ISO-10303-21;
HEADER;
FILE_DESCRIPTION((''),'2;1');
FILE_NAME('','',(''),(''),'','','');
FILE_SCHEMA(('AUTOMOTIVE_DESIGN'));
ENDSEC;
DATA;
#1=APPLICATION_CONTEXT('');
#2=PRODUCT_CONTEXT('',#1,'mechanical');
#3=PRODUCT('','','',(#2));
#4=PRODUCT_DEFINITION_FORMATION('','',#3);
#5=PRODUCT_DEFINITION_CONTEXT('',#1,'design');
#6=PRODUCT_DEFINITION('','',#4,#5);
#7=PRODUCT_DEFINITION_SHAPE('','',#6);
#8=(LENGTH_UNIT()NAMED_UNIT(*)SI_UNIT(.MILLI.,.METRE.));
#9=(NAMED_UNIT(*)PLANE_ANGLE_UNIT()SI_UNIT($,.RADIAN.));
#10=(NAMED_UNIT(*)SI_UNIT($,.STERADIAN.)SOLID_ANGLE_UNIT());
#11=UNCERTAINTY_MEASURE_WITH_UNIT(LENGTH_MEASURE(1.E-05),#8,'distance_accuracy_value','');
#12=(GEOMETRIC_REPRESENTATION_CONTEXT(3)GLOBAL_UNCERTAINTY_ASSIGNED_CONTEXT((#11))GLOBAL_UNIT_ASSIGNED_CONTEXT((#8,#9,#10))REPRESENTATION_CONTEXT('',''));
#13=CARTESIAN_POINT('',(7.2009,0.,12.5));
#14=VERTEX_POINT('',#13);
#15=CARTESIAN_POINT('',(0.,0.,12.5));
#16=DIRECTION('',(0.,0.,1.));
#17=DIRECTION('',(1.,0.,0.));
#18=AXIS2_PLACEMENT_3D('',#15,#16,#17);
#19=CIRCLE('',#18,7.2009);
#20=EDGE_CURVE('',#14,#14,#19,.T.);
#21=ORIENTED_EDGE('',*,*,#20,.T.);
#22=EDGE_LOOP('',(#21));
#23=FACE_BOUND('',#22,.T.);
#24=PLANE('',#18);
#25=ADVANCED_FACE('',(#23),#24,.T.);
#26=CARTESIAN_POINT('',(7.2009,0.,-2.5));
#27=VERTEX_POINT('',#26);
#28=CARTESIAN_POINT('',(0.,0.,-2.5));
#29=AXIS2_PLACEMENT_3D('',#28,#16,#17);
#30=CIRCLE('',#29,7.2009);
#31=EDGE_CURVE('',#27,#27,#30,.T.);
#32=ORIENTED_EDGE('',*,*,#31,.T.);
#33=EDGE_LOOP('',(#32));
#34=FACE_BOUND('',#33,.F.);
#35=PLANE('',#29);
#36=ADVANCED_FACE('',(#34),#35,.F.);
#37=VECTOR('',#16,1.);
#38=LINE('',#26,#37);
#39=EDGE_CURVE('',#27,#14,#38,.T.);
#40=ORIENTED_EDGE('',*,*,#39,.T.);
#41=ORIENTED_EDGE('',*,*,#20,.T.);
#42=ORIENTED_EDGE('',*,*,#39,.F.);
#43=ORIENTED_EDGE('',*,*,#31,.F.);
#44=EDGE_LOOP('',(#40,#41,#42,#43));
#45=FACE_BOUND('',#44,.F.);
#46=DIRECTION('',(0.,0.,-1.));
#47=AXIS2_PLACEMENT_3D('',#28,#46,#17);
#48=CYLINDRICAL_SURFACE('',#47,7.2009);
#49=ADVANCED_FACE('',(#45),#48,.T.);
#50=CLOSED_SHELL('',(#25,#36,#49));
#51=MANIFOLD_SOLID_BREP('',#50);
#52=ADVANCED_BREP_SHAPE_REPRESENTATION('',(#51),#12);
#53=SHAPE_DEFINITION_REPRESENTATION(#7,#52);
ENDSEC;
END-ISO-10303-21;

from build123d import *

# Parameters (mm, degrees)
CYLINDER_R     = 7.2009
CYLINDER_DEPTH = 15


with BuildPart() as part:
    # Cylinder → Cylinder (new body)
    with BuildSketch(Plane.XY.offset(-2.5)):
        Circle(CYLINDER_R)
    extrude(amount=CYLINDER_DEPTH)


solid = part.part
